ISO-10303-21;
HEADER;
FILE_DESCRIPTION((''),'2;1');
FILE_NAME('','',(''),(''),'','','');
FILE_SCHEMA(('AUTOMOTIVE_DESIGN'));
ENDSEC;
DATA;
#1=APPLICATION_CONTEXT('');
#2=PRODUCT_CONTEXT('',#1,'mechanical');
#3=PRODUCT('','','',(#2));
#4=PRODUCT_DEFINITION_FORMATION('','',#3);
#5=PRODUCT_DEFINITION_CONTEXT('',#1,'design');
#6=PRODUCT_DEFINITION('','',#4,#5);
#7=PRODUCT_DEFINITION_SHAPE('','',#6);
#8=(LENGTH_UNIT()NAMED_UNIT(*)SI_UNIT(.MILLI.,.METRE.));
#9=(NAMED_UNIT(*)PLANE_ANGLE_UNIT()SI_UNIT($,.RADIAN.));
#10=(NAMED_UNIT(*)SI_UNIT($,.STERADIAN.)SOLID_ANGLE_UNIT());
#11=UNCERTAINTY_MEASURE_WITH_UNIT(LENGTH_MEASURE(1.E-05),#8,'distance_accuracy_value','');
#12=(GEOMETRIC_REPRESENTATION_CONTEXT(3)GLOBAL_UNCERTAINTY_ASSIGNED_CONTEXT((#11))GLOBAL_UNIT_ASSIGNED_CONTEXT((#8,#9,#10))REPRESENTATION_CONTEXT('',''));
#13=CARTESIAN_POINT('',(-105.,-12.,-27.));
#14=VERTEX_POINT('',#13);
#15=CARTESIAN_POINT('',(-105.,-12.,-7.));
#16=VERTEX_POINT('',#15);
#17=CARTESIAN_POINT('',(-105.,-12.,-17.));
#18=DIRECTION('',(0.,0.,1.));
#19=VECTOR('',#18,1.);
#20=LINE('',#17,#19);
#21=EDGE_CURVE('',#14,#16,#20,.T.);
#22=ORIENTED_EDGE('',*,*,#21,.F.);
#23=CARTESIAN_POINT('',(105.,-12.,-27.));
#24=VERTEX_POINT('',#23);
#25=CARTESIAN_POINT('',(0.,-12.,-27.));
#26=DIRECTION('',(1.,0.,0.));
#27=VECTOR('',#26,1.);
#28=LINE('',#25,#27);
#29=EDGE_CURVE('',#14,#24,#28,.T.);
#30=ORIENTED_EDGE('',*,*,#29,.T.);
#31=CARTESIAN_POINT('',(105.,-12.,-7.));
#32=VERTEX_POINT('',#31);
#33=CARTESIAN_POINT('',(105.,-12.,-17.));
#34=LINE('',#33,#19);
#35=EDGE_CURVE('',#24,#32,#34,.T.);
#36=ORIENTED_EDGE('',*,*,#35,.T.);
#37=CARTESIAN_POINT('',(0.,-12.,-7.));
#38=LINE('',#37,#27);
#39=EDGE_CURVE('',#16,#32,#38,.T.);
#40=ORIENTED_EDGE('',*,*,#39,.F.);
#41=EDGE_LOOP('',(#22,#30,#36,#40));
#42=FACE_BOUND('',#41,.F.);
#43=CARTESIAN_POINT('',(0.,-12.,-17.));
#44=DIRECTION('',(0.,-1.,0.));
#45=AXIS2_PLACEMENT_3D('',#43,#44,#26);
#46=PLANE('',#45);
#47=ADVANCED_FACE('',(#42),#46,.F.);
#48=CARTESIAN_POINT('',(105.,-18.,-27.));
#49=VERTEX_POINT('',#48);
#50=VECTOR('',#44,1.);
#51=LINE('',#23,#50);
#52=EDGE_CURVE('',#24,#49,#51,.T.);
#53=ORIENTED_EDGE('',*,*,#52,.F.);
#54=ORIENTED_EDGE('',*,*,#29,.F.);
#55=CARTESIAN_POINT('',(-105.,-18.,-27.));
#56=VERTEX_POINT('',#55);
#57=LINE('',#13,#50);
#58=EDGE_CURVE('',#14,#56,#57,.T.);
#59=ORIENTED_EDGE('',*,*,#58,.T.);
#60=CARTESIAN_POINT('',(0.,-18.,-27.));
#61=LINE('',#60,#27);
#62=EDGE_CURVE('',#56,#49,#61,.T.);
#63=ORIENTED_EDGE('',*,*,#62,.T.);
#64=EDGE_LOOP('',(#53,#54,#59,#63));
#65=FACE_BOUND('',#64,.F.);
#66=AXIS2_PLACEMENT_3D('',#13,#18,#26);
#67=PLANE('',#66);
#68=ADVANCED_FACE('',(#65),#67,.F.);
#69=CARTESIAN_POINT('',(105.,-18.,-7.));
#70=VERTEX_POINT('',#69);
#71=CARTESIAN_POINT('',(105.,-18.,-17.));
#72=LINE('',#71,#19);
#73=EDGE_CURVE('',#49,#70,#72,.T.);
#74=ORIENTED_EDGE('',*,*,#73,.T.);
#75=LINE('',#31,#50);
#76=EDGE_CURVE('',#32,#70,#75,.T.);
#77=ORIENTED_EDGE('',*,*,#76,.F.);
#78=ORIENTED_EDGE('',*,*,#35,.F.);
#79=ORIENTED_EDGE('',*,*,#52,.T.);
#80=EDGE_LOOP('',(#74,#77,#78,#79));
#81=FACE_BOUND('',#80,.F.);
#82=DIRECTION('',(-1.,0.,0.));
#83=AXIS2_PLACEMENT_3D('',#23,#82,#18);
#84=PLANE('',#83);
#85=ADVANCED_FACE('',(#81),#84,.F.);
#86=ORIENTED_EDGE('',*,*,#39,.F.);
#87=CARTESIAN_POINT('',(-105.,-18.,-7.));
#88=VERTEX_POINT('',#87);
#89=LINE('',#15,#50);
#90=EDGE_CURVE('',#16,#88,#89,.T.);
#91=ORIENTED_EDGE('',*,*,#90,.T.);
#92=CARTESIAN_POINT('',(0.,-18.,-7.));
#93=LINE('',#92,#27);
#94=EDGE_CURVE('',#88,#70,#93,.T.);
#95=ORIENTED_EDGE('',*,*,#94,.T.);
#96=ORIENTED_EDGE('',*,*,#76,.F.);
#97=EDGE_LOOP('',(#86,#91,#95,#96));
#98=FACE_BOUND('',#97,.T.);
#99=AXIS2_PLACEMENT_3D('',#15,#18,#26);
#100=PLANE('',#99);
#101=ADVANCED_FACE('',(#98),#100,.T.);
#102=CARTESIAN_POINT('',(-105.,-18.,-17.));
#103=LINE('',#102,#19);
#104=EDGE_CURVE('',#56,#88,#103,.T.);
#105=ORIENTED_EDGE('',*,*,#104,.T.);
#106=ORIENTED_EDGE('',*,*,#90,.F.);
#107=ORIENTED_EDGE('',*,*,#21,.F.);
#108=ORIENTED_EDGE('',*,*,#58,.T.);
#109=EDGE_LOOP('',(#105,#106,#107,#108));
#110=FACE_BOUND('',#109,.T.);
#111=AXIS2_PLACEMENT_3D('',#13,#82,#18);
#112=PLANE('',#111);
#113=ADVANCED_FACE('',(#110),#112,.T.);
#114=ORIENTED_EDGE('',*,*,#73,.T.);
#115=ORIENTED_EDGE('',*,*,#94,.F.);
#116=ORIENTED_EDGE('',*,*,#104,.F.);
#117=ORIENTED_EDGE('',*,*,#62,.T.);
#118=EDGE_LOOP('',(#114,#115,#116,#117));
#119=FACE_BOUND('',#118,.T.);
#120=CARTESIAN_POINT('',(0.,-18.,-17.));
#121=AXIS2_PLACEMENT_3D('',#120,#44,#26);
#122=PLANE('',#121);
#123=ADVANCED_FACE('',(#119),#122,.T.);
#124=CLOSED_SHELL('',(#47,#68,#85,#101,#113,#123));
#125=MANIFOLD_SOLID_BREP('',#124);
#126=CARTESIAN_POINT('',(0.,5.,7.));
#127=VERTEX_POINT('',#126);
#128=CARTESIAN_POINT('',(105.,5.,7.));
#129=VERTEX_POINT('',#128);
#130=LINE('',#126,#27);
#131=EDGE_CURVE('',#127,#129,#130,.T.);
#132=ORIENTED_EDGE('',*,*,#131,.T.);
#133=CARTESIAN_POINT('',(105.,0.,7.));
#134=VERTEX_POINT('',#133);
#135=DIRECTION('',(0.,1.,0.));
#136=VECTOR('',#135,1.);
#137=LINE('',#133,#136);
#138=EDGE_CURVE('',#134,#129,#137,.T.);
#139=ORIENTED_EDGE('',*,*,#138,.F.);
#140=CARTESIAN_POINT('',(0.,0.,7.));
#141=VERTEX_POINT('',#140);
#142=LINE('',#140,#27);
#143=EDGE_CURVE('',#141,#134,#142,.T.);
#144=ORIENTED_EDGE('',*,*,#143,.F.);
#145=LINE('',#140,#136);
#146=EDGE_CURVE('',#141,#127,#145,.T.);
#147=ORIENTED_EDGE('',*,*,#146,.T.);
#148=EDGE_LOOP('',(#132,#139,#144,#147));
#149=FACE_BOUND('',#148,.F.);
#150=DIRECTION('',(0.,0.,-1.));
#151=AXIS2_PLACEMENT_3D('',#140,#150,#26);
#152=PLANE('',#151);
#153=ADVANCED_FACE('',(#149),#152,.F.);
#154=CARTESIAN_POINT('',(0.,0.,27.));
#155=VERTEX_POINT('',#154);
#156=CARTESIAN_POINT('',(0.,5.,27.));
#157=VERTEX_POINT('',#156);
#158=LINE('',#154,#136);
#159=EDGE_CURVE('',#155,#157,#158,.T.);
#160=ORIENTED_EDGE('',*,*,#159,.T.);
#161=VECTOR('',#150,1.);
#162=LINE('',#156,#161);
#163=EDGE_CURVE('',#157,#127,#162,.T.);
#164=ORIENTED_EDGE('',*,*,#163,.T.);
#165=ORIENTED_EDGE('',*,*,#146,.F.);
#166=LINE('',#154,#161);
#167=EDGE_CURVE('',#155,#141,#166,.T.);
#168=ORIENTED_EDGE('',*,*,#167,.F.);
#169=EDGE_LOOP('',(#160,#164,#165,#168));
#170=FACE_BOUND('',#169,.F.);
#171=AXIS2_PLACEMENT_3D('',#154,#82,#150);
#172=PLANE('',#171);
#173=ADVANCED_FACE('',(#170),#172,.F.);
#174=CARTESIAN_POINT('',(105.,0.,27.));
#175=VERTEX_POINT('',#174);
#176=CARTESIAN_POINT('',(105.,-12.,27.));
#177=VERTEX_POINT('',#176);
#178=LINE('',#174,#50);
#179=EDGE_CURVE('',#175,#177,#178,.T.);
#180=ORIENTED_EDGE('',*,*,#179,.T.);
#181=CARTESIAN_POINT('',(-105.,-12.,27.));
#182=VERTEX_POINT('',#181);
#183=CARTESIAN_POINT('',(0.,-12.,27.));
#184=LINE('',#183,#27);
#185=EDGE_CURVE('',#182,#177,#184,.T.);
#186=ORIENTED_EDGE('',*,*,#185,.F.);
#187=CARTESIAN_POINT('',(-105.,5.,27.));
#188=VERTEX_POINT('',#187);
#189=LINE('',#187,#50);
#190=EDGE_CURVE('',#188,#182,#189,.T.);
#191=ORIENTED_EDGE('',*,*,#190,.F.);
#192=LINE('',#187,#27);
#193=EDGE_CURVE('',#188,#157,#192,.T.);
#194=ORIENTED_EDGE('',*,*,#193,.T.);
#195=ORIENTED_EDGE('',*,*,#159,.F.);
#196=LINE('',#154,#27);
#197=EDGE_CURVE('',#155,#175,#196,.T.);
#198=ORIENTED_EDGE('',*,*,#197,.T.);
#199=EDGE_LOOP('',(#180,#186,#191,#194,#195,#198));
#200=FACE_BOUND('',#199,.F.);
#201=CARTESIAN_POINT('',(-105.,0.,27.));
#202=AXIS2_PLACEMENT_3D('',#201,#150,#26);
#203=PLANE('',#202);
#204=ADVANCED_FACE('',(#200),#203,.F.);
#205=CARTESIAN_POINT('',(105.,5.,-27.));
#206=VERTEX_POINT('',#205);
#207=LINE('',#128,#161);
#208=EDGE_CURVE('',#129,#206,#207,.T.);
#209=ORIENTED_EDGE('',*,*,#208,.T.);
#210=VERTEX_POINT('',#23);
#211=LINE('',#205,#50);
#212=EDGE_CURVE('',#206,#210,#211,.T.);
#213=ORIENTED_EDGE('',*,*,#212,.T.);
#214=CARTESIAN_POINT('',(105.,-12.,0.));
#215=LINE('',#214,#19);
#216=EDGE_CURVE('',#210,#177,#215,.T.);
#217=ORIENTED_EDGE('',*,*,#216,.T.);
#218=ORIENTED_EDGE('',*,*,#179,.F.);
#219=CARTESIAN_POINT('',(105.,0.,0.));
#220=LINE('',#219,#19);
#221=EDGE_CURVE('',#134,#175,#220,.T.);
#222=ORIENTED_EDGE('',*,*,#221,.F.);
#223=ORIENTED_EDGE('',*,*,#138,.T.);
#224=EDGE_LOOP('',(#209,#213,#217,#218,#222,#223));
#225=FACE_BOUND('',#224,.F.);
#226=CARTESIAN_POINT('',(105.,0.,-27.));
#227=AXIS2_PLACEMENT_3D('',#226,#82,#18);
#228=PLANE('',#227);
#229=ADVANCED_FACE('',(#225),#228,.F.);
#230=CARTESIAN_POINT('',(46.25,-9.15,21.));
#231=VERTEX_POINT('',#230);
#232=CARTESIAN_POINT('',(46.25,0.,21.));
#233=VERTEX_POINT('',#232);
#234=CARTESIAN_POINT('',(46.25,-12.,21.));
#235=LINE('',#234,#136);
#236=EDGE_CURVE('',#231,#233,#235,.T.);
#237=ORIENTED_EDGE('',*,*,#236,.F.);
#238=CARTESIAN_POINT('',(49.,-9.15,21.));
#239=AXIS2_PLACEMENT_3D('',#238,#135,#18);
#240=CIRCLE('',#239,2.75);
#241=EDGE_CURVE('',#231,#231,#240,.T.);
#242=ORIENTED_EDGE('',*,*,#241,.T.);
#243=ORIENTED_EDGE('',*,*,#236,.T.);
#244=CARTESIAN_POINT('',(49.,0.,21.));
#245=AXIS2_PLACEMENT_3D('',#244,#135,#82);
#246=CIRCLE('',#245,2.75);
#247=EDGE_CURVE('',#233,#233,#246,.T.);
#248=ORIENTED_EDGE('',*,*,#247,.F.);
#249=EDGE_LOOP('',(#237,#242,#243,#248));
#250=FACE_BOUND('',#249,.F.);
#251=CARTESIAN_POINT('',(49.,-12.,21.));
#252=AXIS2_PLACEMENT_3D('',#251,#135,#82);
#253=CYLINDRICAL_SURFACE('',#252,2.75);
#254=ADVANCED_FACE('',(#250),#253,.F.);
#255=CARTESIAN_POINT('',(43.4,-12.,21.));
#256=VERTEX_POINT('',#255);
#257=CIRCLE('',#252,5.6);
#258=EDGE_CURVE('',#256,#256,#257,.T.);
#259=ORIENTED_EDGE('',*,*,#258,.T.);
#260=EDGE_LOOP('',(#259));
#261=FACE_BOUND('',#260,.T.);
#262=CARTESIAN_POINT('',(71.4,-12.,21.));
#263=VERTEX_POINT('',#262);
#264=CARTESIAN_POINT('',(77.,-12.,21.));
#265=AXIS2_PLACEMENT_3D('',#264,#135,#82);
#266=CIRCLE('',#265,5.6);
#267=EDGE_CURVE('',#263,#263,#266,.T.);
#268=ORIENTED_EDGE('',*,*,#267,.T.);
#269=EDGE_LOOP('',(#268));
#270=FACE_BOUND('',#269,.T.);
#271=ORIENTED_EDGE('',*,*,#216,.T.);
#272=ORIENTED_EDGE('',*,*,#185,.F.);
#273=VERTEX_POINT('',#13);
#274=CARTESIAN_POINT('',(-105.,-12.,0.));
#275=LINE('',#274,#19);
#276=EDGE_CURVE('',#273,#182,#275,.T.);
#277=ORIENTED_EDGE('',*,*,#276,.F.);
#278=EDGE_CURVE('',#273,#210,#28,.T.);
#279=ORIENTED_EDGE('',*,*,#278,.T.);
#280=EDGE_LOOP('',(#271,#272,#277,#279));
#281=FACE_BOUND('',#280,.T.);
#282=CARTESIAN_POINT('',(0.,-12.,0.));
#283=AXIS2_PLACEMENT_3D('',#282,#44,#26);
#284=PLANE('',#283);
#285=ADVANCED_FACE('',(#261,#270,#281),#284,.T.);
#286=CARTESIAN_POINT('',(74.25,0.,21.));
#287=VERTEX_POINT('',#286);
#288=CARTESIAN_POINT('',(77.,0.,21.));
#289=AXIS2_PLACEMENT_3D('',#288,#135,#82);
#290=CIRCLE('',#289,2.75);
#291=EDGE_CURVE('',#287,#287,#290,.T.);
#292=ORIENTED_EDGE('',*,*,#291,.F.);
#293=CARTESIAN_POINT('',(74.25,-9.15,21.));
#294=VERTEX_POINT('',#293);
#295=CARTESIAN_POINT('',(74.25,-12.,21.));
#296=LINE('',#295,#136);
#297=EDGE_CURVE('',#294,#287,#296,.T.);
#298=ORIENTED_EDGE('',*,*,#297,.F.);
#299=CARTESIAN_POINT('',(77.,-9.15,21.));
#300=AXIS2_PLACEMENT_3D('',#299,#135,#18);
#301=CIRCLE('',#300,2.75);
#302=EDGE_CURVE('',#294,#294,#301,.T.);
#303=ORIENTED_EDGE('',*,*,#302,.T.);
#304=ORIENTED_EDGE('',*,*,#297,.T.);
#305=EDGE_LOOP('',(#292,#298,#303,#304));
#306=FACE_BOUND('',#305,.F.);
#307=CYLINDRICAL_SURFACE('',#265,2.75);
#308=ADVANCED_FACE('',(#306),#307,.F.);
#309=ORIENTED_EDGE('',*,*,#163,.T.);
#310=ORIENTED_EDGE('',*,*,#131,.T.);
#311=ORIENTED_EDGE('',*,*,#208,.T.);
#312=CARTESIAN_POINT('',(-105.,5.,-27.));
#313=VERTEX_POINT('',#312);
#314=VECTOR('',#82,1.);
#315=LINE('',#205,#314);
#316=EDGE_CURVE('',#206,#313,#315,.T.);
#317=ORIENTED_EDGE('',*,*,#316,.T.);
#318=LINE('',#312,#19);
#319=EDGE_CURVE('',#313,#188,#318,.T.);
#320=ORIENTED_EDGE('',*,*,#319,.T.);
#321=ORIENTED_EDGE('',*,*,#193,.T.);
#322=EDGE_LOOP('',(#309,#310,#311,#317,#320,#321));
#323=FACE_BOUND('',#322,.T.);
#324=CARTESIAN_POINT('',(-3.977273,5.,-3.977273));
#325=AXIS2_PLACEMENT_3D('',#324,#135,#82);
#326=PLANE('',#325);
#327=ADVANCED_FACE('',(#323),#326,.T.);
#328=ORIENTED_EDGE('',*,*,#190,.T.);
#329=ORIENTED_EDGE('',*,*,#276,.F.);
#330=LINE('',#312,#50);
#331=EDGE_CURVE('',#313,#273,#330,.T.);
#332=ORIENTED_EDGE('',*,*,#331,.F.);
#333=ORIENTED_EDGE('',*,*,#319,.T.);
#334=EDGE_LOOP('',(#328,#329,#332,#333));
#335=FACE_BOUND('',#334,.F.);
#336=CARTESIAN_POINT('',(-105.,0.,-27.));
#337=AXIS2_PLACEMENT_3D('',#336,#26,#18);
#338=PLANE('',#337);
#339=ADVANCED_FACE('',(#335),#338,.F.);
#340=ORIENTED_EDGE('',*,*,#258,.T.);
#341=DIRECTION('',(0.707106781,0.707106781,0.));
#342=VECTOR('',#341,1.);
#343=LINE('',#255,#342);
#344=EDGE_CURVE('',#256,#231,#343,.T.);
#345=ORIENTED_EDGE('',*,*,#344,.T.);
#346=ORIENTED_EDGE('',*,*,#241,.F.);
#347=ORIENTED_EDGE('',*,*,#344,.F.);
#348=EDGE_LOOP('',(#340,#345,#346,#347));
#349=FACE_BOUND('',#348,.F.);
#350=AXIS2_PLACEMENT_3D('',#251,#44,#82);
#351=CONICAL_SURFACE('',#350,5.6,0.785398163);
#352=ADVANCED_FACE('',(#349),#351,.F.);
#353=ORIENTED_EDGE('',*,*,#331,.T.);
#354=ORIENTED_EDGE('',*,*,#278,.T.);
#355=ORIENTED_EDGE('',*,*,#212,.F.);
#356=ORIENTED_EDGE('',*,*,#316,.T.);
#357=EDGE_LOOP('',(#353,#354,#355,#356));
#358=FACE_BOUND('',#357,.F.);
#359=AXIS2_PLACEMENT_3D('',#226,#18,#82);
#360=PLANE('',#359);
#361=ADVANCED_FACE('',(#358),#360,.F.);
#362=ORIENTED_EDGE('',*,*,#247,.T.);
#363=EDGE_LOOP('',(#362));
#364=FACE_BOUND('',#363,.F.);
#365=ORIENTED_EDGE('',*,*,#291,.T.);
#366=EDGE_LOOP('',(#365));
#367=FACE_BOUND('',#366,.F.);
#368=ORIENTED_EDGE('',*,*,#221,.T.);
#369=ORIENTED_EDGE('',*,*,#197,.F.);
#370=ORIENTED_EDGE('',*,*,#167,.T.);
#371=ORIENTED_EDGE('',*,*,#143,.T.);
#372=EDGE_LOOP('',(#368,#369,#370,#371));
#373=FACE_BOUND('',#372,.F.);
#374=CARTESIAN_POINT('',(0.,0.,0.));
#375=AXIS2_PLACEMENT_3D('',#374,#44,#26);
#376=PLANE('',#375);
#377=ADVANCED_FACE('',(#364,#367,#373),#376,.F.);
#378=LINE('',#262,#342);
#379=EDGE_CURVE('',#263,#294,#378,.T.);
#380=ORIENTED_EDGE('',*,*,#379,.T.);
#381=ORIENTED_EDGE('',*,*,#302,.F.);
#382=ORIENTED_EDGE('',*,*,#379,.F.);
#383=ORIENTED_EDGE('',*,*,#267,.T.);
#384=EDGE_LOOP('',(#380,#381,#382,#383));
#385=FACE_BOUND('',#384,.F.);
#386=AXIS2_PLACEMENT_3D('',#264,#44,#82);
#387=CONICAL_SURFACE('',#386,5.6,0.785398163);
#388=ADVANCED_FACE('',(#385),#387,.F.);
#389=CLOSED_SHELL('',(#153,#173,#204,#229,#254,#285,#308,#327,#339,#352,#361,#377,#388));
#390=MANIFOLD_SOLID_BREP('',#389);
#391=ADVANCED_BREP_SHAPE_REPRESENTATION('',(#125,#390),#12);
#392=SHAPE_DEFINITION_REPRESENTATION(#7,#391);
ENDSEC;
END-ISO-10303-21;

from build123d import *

# Parameters (mm, degrees)
F0_W           = 210
F0_H           = 54
F1_DEPTH       = 12
F3_DEPTH       = 5
F5_D           = 5.5
F5_CSINK_D     = 11.2
F5_CSINK_ANGLE = 90
F6_W           = 210
F6_H           = 20
F7_DEPTH       = 6


with BuildPart() as f1:
    # F0 (on Front) → F1 (new body)
    with BuildSketch(Plane.XZ):
        Rectangle(F0_W, F0_H)
    extrude(amount=F1_DEPTH)

    # F2 (on face) → F3 (join)
    with BuildSketch(Plane(origin=(0, 0, 0), x_dir=(-1, 0, 0), z_dir=(0, 1, 0))):
        Polygon((105, 27), (0, 27), (0, 7), (-105, 7), (-105, -27), (105, -27), align=None)
    extrude(amount=F3_DEPTH)

    # F5 (through all)
    with Locations(Plane.XZ.offset(12)):
        with Locations((49, 21), (77, 21)):
            CounterSinkHole(F5_D / 2, F5_CSINK_D / 2, counter_sink_angle=F5_CSINK_ANGLE)


with BuildPart() as f7:
    # F6 (on face) → F7 (new body)
    with BuildSketch(Plane.XZ.offset(12)):
        with Locations((0, -17)):
            Rectangle(F6_W, F6_H)
    extrude(amount=F7_DEPTH)


solid = Compound([f1.part, f7.part])
